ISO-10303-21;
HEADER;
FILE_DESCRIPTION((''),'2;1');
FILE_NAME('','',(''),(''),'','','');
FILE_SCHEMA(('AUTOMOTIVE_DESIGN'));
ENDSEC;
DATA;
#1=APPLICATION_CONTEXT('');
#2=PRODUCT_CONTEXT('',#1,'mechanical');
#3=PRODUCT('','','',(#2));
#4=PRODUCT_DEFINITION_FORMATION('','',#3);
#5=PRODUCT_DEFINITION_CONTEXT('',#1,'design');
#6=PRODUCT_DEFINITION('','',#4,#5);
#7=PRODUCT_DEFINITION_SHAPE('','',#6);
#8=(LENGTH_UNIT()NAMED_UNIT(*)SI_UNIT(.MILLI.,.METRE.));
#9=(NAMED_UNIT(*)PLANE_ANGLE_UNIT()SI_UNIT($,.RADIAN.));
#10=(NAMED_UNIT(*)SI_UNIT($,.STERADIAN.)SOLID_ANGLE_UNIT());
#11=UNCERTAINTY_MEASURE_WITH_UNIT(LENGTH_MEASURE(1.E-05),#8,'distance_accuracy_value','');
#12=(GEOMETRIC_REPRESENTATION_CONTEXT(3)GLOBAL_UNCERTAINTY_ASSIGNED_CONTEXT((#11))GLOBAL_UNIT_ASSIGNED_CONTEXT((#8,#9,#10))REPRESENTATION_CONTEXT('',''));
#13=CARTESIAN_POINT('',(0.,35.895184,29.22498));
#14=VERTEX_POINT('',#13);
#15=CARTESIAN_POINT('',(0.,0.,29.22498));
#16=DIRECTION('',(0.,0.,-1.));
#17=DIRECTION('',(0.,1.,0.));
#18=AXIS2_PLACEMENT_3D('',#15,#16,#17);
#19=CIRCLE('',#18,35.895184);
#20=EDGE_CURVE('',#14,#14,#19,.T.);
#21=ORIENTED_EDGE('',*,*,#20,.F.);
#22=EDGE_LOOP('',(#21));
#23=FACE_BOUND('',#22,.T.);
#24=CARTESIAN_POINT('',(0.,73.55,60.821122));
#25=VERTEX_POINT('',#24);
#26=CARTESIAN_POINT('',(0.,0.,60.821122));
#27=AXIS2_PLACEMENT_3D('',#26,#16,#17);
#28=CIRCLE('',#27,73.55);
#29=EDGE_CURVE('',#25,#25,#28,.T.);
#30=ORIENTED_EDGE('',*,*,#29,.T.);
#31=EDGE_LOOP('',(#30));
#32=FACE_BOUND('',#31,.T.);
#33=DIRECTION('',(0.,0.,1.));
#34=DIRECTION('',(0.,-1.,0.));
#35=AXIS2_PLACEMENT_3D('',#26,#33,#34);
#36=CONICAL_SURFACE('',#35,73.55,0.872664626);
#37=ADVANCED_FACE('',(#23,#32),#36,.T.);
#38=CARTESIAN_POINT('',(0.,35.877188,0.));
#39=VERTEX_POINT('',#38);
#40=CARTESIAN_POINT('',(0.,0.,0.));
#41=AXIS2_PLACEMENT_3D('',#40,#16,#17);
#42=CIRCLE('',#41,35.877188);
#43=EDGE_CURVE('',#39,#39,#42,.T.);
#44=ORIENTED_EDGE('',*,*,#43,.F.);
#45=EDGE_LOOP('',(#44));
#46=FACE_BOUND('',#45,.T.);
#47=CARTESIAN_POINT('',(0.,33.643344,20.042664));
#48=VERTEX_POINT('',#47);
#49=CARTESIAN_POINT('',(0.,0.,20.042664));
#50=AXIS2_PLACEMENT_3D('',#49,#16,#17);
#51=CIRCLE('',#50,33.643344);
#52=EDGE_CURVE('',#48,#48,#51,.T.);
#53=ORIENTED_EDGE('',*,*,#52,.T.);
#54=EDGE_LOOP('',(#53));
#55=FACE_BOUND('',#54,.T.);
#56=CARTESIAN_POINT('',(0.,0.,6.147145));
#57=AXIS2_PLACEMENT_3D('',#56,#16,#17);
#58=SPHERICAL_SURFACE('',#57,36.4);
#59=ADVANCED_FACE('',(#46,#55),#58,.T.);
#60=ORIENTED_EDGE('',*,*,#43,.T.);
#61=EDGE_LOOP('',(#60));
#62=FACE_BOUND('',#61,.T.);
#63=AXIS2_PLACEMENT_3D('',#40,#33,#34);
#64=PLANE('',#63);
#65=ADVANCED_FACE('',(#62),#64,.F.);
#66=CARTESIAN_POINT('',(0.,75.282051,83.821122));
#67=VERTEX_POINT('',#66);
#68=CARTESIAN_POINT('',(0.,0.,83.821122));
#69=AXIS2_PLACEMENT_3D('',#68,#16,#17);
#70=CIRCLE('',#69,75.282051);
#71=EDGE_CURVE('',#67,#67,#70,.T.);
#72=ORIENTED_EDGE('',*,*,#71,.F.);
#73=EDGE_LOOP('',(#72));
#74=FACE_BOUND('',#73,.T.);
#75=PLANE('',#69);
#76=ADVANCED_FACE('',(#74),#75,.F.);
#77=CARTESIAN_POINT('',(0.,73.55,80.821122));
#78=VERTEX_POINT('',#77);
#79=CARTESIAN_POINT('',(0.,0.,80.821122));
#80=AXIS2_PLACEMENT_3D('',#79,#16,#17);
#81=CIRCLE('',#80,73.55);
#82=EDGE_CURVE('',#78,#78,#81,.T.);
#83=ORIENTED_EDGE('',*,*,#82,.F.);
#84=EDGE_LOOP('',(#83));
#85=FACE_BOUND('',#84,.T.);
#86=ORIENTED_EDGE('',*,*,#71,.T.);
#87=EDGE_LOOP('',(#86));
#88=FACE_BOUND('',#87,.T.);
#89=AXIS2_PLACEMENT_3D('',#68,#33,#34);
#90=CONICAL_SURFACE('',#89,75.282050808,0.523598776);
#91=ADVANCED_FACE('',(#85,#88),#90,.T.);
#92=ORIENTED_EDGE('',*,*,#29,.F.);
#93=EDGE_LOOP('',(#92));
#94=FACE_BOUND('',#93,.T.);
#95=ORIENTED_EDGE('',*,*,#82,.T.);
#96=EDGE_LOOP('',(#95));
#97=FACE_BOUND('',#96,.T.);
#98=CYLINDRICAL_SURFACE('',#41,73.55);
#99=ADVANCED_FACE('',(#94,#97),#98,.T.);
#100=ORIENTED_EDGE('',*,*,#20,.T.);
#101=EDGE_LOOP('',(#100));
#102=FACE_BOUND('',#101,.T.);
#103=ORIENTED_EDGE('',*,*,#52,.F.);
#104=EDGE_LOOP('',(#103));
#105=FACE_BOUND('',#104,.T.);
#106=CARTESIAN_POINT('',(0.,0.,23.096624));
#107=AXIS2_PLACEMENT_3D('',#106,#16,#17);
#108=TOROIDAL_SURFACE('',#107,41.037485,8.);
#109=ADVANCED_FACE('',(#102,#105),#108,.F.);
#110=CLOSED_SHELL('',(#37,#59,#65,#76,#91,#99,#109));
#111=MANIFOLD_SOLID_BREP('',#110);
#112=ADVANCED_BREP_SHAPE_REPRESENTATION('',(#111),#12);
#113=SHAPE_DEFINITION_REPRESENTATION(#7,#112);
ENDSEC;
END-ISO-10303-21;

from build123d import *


with BuildPart() as part:
    # Sketch1 → Revolve1 (revolve)
    with BuildSketch(Plane(origin=(0, 0, 0), x_dir=(0, 0, -1), z_dir=(1, 0, 0))):
        with BuildLine():
            Line((0, 0), (-50.959835356, 0))
            Line((-50.959835356, 0), (-83.8211217, 0))
            Line((-83.8211217, 0), (-83.8211217, 75.282050808))
            Line((-83.8211217, 75.282050808), (-80.8211217, 73.55))
            Line((-80.8211217, 73.55), (-60.8211217, 73.55))
            Line((-60.8211217, 73.55), (-29.224979598, 35.895184138))
            ThreePointArc((-29.224979598, 35.895184138), (-25.002056634, 33.267714962), (-20.042663952, 33.643343571))
            ThreePointArc((-20.042663952, 33.643343571), (-10.179122164, 36.1760026), (0, 35.877187771))
            Line((0, 35.877187771), (0, 34.862194457))
            Line((0, 34.862194457), (0, 0))
        make_face()
    revolve(axis=Axis((0, 0, 0), (0, 0, 1)))


solid = part.part
